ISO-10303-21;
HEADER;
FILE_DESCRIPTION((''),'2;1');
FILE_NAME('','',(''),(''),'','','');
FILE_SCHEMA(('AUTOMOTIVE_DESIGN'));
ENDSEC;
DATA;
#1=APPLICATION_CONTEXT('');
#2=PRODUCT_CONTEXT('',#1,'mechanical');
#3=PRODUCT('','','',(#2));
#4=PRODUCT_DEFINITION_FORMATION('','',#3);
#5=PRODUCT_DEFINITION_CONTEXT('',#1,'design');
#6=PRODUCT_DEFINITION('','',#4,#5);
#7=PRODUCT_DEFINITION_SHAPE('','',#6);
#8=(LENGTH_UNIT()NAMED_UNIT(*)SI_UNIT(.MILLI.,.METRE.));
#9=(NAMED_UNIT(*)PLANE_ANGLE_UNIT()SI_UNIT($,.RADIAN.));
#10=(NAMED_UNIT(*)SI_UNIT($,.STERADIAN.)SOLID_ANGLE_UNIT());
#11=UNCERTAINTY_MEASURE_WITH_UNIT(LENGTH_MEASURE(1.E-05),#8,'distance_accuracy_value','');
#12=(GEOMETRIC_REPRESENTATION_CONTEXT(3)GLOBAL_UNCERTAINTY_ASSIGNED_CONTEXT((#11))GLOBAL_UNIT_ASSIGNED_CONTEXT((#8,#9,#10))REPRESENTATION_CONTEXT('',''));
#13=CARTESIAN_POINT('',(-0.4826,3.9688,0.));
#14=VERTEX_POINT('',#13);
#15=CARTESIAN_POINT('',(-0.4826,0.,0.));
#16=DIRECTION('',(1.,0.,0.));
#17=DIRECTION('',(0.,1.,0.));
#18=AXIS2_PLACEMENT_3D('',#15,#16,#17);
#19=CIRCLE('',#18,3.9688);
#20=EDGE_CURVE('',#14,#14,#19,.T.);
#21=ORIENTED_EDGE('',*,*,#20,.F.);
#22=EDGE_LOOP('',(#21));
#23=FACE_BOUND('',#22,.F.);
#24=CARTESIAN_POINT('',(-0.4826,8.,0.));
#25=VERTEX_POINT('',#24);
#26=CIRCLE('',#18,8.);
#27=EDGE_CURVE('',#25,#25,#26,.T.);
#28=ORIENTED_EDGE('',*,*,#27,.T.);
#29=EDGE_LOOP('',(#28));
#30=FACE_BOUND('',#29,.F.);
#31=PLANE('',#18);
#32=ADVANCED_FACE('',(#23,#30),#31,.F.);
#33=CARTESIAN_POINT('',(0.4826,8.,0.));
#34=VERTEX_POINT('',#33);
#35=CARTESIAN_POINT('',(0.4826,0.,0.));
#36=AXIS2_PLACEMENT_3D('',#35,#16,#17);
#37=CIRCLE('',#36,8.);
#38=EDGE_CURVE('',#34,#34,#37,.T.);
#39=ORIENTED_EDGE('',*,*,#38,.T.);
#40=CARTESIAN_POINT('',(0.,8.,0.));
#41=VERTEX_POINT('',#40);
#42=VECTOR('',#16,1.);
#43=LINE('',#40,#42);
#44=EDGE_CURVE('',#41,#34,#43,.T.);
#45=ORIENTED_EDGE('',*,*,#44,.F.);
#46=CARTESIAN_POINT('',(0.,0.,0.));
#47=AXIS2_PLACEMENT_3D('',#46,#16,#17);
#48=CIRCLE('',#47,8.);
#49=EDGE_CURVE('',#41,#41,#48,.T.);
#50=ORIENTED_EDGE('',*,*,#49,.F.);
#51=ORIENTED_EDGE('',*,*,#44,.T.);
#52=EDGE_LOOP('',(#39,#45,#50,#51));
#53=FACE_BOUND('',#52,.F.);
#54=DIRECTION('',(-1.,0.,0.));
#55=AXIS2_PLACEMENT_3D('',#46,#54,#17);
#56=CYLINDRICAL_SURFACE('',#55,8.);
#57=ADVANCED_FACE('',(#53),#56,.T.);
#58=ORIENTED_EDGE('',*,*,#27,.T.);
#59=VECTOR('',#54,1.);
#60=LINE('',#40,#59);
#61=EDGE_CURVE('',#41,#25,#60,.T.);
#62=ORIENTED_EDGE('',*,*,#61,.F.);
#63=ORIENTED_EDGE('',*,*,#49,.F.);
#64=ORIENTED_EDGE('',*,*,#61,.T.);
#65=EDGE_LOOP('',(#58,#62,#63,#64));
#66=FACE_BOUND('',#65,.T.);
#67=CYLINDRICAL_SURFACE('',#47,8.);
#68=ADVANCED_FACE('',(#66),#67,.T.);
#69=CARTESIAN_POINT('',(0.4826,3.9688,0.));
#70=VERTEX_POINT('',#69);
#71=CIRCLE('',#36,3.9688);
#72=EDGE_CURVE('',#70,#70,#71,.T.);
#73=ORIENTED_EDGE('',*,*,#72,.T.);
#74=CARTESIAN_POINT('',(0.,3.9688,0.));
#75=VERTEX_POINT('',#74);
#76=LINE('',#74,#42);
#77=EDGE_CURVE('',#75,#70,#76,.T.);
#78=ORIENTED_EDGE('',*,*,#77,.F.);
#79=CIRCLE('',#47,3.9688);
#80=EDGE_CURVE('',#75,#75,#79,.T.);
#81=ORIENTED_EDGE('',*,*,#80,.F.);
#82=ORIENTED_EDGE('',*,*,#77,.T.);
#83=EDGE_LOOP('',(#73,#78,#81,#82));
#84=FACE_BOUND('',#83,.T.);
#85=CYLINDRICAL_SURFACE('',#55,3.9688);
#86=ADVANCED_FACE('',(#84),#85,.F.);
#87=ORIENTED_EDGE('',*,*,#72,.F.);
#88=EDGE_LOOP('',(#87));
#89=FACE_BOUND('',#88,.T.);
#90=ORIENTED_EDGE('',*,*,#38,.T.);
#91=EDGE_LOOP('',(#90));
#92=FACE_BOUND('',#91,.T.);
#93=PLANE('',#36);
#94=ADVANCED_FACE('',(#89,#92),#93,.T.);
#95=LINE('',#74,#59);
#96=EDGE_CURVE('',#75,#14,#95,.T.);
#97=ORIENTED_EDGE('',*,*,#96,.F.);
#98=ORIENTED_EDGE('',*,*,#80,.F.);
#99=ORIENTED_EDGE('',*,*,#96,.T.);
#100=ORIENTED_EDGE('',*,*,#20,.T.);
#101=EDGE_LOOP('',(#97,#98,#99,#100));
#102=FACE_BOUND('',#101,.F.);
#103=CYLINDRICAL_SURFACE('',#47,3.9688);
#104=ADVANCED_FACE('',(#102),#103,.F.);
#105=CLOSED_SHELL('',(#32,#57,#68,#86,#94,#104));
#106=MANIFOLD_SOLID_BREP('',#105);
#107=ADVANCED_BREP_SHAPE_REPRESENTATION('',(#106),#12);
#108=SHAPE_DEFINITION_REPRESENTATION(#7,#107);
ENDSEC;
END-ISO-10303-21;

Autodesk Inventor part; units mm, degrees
ref_plane "YZ Plane" through (0, 0, 0) normal (1, 0, 0) x (0, 1, 0)
ref_plane "XZ Plane" through (0, 0, 0) normal (0, 1, 0) x (-1, 0, 0)
ref_plane "XY Plane" through (0, 0, 0) normal (0, 0, 1) x (1, 0, 0)
sketch "Sketch1" plane through (0, 0, 0) normal (1, 0, 0) x (0, 1, 0)
  circle A0 centre (0, 0) radius 8
  circle A1 centre (0, 0) radius 3.9688
  dimension "d0" = 16
  dimension "d1" = 7.9375
extrude "Extrusion1" add sketch "Sketch1" along normal mid plane 0.9652
properties part number "rubberWasher1" material "Rubber"
